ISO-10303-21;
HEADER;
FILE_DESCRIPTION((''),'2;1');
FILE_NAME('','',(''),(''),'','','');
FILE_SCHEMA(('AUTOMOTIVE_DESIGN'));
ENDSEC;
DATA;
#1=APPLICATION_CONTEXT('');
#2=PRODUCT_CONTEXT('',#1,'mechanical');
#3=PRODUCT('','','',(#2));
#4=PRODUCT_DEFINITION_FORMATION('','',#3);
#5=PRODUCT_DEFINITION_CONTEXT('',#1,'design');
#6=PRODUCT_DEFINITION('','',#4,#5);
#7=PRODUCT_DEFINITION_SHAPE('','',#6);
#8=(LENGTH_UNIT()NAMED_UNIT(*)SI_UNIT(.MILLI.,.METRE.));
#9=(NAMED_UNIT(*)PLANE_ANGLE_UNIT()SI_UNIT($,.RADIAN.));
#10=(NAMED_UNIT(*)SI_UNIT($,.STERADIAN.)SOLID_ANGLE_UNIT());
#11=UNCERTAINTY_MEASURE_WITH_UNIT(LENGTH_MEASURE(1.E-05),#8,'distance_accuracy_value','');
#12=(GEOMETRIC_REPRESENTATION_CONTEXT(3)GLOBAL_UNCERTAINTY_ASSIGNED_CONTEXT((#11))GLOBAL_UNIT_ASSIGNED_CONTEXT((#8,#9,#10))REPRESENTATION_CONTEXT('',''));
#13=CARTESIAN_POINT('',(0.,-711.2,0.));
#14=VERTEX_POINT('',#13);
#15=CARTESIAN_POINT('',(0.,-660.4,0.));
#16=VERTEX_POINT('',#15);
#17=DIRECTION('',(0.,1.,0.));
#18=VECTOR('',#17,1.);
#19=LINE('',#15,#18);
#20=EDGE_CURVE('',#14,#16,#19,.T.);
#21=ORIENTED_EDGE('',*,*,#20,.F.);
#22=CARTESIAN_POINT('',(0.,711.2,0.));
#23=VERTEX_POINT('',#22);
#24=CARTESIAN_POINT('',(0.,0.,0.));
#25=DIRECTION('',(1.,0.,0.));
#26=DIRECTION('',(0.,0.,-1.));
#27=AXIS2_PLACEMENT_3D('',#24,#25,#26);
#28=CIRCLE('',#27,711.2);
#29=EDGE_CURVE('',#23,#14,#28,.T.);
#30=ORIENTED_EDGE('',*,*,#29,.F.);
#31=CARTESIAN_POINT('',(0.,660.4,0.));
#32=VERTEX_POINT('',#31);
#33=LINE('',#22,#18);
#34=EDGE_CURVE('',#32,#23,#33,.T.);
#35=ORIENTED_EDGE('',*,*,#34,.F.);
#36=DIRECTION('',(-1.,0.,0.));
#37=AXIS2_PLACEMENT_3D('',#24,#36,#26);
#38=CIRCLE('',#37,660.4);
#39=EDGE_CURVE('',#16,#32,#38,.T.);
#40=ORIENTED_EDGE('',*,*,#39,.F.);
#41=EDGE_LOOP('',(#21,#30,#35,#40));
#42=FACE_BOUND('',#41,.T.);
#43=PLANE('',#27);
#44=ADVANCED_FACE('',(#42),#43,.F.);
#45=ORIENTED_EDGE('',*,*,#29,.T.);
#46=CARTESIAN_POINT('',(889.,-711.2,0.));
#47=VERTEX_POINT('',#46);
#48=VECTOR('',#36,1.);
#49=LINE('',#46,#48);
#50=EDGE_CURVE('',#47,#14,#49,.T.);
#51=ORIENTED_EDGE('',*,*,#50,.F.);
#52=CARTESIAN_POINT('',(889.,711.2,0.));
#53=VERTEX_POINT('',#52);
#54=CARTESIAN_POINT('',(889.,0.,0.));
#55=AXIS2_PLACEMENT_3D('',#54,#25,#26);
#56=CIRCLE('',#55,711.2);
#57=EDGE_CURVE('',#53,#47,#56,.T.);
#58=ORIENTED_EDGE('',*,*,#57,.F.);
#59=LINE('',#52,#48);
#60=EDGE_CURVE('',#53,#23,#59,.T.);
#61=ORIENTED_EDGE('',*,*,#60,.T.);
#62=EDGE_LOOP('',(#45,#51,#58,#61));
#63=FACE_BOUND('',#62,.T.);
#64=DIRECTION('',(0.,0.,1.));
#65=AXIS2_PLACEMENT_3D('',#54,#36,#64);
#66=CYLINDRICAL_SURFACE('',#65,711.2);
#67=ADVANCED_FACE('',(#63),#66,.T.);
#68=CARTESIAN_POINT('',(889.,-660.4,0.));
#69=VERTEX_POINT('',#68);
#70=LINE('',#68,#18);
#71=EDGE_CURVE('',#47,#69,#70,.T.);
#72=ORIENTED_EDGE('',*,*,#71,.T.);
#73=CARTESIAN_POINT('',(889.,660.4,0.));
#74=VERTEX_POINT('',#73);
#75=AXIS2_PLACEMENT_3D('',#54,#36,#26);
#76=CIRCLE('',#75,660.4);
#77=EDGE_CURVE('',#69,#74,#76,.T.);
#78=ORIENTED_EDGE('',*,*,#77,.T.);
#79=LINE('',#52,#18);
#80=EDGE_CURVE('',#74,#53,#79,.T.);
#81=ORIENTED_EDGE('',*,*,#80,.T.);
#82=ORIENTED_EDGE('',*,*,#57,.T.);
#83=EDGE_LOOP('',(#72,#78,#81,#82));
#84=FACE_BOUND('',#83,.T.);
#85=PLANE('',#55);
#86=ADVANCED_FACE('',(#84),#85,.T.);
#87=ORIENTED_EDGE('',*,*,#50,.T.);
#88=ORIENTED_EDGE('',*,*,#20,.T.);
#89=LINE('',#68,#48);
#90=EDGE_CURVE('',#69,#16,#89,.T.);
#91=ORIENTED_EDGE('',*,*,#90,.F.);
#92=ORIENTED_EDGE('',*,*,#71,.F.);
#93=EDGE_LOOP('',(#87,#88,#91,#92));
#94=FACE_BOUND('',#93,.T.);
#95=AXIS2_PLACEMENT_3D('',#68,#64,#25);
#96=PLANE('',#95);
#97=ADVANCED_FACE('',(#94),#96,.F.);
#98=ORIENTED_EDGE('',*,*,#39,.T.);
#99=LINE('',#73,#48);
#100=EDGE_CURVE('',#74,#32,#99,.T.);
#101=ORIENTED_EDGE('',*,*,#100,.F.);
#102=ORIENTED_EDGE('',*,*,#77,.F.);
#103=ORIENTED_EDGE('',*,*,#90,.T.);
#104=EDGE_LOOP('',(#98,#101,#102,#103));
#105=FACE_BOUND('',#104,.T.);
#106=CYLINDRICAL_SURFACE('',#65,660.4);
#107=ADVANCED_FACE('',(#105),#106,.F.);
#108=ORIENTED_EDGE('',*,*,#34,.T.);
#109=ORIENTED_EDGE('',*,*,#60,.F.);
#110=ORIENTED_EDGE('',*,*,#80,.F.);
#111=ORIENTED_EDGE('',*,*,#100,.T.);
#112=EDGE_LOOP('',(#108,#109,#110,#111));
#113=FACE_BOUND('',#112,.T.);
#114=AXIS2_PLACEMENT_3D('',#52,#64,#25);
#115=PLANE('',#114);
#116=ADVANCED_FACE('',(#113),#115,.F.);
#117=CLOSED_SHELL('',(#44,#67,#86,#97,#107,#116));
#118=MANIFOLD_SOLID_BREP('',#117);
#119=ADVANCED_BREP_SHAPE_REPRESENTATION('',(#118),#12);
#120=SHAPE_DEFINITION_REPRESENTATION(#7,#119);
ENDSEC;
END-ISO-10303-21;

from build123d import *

# Parameters (mm, degrees)
BOSS_EXTRUDE1_DEPTH = 889


with BuildPart() as part:
    # Sketch1 → Boss-Extrude1 (new body)
    with BuildSketch(Plane(origin=(0, 0, 0), x_dir=(0, 0, -1), z_dir=(1, 0, 0))):
        with BuildLine():
            Line((0, 711.2), (0, 660.4))
            ThreePointArc((0, 660.4), (-660.4, 0), (0, -660.4))
            Line((0, -660.4), (0, -711.2))
            ThreePointArc((0, -711.2), (-711.2, 0), (0, 711.2))
        make_face()
    extrude(amount=BOSS_EXTRUDE1_DEPTH)


solid = part.part
